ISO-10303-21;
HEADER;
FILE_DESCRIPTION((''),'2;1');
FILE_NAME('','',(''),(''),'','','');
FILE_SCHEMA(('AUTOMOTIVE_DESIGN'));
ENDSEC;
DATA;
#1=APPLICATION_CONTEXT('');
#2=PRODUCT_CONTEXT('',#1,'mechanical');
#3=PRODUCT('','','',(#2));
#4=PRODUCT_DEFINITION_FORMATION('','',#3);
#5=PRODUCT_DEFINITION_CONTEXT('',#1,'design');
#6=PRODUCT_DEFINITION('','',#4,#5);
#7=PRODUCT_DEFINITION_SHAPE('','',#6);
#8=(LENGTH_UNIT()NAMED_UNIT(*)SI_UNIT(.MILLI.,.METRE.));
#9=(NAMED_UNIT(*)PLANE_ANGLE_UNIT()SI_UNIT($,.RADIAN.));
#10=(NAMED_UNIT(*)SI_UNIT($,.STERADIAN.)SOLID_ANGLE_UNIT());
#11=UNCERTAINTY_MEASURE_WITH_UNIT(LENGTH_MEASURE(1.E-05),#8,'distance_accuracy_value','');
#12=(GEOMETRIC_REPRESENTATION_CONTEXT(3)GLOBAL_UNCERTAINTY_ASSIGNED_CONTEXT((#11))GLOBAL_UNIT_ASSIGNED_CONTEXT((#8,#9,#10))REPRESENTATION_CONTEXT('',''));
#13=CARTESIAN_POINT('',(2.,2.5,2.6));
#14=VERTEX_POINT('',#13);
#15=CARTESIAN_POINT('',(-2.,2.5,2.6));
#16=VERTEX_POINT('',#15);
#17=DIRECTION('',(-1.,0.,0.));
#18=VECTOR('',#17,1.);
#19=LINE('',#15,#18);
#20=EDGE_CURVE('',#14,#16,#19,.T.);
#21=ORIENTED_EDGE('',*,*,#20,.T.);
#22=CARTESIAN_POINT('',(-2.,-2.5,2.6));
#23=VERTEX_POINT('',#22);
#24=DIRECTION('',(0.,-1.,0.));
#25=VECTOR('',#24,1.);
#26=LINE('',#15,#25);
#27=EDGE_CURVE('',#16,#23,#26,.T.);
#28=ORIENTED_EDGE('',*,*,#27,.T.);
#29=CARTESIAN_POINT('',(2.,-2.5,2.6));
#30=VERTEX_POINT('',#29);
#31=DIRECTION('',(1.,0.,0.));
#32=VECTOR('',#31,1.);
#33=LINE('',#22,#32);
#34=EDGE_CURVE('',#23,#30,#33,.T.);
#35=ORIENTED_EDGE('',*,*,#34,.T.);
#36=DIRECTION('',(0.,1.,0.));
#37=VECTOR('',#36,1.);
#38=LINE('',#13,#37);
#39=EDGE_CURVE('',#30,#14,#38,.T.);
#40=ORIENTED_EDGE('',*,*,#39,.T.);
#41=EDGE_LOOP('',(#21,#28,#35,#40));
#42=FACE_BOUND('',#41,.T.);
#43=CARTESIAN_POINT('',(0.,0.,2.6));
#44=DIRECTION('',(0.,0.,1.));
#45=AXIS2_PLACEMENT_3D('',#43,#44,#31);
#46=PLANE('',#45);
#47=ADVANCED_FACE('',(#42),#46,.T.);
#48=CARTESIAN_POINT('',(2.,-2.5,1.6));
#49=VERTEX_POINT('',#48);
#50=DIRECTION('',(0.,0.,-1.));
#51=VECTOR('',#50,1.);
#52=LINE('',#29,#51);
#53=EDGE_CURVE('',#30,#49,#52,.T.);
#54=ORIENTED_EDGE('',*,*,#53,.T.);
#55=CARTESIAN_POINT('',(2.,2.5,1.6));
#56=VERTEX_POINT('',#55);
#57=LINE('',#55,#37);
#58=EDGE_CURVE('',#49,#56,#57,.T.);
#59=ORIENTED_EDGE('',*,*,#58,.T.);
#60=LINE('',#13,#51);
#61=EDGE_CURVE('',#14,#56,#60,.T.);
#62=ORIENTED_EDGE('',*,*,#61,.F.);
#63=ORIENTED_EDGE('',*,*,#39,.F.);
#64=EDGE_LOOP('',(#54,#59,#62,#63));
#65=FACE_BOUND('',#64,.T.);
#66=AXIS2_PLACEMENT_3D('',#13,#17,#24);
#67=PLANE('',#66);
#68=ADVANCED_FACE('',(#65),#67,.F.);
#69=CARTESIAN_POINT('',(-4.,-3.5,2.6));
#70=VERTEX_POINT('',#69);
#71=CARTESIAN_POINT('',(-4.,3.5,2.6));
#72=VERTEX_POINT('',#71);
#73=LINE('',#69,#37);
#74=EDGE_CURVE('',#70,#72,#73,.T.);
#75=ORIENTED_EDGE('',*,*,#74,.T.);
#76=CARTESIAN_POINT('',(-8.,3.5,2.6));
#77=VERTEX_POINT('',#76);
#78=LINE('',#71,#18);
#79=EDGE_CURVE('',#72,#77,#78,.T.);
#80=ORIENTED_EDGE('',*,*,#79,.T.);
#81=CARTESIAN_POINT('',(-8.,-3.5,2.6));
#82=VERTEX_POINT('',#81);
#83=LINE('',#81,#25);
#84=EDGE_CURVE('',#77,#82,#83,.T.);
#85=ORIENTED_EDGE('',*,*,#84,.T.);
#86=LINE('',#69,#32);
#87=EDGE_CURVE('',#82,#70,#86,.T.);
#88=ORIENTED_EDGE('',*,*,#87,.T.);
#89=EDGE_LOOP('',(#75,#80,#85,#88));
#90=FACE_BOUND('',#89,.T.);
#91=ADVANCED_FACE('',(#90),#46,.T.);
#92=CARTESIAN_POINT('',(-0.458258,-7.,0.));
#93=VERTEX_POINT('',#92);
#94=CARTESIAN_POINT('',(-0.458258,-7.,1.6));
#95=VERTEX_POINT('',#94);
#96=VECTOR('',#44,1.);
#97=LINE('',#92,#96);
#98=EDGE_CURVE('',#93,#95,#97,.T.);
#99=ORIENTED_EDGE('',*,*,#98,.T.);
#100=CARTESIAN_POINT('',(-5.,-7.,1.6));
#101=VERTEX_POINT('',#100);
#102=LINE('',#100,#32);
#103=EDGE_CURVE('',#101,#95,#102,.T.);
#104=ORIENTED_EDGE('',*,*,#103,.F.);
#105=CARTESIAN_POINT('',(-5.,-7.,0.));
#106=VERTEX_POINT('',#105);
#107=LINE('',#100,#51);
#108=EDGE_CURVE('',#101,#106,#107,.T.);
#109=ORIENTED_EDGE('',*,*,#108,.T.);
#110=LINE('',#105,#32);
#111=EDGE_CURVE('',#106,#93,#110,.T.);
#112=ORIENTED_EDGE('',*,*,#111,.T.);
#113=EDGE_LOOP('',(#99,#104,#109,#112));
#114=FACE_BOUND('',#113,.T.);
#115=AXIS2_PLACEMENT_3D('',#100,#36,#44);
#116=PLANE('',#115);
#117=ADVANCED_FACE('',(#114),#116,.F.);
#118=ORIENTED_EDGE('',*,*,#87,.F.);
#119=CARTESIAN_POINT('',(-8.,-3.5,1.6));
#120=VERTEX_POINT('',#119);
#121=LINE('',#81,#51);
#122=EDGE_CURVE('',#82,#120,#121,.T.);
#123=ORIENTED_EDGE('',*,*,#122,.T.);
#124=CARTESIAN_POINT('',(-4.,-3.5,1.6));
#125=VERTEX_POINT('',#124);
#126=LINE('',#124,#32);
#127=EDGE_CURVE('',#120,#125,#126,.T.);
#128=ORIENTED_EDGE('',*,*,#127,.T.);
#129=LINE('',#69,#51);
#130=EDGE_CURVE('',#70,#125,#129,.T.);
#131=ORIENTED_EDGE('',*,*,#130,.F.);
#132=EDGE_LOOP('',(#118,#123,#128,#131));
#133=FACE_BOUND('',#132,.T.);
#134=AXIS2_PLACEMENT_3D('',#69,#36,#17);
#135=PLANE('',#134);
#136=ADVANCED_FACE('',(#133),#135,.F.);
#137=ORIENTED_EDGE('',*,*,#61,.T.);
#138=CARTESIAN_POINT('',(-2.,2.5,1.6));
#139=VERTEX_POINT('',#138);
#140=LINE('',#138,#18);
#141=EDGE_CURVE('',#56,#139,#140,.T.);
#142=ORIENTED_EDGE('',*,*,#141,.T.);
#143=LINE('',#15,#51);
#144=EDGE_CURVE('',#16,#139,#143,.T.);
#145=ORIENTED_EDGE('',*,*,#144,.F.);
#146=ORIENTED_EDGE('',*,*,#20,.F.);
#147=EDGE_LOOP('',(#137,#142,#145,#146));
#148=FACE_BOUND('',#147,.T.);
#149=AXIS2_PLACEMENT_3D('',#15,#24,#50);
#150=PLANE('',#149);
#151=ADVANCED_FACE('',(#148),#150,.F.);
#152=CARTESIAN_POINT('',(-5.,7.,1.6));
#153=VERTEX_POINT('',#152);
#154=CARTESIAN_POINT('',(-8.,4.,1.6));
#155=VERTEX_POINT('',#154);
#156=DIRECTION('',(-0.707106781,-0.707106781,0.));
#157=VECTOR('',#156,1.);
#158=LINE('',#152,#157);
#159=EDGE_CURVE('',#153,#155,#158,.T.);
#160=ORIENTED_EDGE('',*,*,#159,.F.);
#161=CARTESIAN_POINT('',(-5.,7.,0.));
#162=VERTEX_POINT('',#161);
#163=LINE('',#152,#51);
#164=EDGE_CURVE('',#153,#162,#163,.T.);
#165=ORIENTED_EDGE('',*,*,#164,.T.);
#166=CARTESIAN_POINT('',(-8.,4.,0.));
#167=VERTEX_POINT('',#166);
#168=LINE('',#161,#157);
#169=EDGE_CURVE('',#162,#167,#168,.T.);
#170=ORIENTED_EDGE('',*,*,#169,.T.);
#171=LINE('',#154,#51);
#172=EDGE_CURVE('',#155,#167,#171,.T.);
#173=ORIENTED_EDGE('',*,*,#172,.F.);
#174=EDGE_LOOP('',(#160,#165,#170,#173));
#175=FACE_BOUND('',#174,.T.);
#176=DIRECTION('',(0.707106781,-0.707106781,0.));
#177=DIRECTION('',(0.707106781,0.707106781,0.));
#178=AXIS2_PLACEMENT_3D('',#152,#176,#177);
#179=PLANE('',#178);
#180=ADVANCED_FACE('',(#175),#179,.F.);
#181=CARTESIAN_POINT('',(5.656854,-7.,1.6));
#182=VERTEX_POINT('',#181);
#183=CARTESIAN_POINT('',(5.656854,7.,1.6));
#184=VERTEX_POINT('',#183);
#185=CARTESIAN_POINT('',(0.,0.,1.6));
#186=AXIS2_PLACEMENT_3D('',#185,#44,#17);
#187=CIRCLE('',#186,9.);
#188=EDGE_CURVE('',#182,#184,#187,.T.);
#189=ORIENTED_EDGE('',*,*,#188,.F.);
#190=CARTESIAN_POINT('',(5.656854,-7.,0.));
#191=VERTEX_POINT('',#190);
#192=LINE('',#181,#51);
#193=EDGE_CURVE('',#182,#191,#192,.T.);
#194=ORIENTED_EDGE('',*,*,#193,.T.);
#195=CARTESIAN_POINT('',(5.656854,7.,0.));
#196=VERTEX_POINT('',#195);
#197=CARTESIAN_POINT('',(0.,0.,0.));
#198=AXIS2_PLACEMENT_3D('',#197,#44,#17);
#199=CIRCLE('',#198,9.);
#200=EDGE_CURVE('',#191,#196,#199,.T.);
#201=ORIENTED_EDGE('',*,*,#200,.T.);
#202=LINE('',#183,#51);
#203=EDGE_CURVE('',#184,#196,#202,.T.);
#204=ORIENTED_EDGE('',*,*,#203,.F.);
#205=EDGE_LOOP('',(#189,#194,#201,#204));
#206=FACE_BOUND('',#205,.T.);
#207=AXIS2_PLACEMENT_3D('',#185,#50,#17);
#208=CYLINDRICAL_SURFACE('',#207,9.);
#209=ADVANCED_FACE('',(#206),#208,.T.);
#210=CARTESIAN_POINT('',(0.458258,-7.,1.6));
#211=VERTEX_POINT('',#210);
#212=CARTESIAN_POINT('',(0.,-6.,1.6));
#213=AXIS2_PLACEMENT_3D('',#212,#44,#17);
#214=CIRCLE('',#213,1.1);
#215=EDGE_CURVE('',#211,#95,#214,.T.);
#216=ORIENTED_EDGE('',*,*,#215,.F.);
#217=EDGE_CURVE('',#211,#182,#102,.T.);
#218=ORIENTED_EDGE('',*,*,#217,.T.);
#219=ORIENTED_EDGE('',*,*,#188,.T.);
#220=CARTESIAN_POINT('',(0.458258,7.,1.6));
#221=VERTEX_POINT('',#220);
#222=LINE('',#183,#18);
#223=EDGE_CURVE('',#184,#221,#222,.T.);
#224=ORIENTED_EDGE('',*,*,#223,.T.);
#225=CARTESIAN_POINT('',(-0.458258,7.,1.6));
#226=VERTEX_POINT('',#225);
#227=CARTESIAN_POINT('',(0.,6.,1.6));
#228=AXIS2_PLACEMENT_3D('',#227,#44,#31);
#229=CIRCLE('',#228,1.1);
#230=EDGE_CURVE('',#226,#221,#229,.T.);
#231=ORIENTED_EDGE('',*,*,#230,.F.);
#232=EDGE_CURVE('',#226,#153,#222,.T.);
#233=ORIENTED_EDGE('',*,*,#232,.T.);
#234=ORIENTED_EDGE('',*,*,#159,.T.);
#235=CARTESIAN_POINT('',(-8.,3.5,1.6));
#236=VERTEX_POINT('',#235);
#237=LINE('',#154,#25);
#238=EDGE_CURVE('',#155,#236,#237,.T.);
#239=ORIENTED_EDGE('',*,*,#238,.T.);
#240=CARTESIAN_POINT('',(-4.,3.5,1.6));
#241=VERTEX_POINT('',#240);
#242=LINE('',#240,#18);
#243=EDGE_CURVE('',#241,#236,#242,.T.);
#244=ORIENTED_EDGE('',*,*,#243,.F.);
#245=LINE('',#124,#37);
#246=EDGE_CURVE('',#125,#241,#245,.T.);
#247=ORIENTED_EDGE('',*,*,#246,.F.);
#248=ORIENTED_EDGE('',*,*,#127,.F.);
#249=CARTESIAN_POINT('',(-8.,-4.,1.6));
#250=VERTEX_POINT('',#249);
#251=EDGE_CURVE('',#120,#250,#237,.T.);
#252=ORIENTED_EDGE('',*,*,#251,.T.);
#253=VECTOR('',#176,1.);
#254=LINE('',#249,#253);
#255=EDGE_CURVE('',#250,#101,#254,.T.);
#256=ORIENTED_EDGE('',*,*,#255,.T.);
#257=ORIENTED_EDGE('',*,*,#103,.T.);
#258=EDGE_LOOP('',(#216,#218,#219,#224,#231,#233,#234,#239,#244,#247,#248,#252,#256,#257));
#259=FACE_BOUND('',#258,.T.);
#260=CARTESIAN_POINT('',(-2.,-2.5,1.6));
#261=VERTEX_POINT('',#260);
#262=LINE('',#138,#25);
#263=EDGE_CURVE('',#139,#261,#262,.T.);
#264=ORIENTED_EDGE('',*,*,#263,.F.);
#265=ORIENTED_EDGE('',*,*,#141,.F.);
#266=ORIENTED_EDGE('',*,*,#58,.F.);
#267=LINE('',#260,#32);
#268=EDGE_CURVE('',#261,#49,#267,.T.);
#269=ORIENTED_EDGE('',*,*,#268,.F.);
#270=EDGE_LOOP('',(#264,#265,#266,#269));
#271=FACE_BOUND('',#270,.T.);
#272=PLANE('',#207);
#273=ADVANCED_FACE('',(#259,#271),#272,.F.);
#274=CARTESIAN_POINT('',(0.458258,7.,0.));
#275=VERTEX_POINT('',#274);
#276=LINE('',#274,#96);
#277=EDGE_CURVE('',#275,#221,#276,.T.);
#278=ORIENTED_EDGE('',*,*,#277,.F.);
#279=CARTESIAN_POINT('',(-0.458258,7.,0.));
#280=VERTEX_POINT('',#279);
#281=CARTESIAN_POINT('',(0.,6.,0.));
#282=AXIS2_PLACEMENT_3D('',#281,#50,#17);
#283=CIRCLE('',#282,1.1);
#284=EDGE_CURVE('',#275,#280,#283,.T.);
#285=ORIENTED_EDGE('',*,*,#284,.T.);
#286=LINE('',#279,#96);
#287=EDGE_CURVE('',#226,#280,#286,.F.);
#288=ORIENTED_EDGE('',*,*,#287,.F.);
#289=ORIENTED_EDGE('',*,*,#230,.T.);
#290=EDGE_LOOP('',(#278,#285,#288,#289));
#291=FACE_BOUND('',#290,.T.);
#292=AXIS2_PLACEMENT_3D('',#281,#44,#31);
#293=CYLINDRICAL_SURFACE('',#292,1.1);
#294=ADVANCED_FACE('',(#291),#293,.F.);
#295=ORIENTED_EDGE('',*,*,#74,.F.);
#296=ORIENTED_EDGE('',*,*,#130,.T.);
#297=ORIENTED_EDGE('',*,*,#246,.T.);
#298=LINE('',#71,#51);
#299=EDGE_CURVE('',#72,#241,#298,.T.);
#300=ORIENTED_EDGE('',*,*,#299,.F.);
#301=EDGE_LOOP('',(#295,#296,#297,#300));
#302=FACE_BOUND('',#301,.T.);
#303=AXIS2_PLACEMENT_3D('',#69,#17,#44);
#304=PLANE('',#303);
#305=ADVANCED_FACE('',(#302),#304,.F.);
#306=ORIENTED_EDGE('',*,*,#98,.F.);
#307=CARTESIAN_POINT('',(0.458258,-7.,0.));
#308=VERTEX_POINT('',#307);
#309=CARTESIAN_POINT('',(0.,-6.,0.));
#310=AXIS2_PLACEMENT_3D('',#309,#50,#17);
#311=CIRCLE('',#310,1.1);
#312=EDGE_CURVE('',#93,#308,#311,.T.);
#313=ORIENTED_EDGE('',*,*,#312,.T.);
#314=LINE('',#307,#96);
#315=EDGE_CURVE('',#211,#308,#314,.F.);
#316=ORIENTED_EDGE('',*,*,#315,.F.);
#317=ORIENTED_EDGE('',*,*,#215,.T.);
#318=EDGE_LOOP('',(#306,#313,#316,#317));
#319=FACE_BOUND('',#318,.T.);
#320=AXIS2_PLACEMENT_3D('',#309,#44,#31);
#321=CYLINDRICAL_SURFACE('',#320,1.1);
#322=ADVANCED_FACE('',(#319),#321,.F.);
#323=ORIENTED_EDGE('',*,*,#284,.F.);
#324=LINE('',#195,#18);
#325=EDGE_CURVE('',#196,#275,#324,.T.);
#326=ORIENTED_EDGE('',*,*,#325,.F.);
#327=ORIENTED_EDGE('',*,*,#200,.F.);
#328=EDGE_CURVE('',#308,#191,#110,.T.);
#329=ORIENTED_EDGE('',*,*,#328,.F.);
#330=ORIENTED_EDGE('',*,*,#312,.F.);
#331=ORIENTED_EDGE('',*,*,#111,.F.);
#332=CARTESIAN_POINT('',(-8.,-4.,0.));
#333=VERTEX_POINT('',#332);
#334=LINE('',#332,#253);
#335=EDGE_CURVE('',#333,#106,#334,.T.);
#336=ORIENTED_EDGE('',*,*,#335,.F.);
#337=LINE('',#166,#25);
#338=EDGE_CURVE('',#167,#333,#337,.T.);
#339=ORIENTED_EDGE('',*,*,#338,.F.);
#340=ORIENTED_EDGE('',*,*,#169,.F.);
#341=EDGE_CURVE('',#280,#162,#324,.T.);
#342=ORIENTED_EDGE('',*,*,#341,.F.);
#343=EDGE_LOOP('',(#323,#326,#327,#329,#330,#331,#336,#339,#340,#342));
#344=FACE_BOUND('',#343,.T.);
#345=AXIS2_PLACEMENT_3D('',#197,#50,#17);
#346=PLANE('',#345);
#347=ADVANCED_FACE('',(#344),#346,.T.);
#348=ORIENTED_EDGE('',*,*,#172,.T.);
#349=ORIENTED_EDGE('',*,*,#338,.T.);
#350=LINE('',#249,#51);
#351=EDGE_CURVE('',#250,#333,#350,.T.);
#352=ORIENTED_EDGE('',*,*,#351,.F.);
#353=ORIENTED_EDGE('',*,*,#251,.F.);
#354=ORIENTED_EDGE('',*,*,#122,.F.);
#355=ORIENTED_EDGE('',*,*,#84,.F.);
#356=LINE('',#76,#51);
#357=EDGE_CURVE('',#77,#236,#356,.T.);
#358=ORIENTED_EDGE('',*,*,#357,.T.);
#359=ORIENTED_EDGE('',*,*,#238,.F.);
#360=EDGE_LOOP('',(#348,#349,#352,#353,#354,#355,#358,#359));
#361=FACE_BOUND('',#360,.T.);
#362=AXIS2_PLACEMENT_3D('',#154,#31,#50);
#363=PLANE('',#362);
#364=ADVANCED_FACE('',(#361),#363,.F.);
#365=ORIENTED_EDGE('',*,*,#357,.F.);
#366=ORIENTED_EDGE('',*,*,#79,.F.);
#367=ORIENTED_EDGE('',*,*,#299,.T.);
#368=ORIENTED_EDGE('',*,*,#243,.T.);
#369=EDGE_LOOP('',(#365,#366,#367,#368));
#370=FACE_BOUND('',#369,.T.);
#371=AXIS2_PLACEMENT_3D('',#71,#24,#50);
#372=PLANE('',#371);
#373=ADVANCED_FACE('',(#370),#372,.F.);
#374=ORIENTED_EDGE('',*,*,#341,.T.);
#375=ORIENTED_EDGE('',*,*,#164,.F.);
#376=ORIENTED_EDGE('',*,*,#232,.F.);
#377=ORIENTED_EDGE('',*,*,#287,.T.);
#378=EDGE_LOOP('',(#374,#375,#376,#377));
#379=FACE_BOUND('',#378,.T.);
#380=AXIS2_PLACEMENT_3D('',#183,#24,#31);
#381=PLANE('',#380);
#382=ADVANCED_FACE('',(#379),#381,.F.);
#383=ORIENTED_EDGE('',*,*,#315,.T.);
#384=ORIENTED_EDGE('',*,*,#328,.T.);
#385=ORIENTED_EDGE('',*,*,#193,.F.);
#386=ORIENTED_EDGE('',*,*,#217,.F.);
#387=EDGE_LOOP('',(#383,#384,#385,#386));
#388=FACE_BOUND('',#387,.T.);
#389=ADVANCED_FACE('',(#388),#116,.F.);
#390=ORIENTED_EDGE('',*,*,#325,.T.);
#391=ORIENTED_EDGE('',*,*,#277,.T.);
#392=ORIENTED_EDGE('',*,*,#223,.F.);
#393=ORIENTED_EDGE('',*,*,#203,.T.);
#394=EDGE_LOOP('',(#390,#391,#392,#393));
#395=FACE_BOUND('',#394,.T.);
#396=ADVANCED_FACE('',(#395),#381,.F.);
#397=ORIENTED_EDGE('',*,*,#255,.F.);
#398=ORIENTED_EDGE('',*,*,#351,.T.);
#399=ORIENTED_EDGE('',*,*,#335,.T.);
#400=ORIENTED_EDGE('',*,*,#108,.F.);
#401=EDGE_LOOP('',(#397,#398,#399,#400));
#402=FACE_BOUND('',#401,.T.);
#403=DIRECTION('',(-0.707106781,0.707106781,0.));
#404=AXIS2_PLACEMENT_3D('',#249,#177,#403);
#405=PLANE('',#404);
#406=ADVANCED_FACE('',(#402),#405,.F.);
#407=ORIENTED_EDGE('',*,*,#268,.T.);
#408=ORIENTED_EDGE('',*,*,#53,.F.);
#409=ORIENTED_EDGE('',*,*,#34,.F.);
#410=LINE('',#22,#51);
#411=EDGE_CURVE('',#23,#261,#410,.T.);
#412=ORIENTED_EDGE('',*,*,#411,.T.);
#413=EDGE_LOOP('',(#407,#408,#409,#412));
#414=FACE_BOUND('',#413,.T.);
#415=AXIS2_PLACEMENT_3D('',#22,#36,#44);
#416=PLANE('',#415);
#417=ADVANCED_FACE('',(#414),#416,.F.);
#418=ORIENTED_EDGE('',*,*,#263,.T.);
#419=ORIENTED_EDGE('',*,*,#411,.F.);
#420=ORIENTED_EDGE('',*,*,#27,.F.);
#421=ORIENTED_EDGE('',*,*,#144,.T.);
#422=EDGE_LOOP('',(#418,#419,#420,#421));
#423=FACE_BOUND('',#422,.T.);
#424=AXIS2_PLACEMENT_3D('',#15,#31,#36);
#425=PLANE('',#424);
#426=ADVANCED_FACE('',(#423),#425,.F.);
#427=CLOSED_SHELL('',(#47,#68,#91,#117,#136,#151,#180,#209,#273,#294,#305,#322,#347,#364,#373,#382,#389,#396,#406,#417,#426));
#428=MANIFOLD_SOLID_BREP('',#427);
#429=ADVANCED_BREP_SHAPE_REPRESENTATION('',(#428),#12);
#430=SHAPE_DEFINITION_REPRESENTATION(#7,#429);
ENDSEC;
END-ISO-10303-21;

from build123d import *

# Parameters (mm, degrees)
SALIENTE_EXTRUIR1_DEPTH = 1.6
CROQUIS2_R              = 1.1
CORTAR_EXTRUIR2_DEPTH   = 12.513470372
CROQUIS3_W              = 4
CROQUIS3_H              = 5
CROQUIS3_H_2            = 7
SALIENTE_EXTRUIR2_DEPTH = 1


with BuildPart() as part:
    # Croquis1 → Saliente-Extruir1 (new body)
    with BuildSketch(Plane.XY):
        with BuildLine():
            Line((5.656854249, 7), (-5, 7))
            Line((-5, 7), (-8, 4))
            Line((-8, 4), (-8, -4))
            Line((-8, -4), (-5, -7))
            Line((-5, -7), (5.656854249, -7))
            ThreePointArc((5.656854249, -7), (9, 0), (5.656854249, 7))
        make_face()
    extrude(amount=SALIENTE_EXTRUIR1_DEPTH)

    # Croquis2 → Cortar-Extruir2 (cut, through all)
    with BuildSketch(Plane.XY.offset(1.6)):
        with Locations((0, 6)):
            Circle(CROQUIS2_R)
        with Locations((0, -6)):
            Circle(CROQUIS2_R)
    extrude(amount=-CORTAR_EXTRUIR2_DEPTH, mode=Mode.SUBTRACT)

    # Croquis3 → Saliente-Extruir2 (add)
    with BuildSketch(Plane.XY.offset(1.6)):
        Rectangle(CROQUIS3_W, CROQUIS3_H)
        with Locations((-6, 0)):
            Rectangle(CROQUIS3_W, CROQUIS3_H_2)
    extrude(amount=SALIENTE_EXTRUIR2_DEPTH)


solid = part.part
